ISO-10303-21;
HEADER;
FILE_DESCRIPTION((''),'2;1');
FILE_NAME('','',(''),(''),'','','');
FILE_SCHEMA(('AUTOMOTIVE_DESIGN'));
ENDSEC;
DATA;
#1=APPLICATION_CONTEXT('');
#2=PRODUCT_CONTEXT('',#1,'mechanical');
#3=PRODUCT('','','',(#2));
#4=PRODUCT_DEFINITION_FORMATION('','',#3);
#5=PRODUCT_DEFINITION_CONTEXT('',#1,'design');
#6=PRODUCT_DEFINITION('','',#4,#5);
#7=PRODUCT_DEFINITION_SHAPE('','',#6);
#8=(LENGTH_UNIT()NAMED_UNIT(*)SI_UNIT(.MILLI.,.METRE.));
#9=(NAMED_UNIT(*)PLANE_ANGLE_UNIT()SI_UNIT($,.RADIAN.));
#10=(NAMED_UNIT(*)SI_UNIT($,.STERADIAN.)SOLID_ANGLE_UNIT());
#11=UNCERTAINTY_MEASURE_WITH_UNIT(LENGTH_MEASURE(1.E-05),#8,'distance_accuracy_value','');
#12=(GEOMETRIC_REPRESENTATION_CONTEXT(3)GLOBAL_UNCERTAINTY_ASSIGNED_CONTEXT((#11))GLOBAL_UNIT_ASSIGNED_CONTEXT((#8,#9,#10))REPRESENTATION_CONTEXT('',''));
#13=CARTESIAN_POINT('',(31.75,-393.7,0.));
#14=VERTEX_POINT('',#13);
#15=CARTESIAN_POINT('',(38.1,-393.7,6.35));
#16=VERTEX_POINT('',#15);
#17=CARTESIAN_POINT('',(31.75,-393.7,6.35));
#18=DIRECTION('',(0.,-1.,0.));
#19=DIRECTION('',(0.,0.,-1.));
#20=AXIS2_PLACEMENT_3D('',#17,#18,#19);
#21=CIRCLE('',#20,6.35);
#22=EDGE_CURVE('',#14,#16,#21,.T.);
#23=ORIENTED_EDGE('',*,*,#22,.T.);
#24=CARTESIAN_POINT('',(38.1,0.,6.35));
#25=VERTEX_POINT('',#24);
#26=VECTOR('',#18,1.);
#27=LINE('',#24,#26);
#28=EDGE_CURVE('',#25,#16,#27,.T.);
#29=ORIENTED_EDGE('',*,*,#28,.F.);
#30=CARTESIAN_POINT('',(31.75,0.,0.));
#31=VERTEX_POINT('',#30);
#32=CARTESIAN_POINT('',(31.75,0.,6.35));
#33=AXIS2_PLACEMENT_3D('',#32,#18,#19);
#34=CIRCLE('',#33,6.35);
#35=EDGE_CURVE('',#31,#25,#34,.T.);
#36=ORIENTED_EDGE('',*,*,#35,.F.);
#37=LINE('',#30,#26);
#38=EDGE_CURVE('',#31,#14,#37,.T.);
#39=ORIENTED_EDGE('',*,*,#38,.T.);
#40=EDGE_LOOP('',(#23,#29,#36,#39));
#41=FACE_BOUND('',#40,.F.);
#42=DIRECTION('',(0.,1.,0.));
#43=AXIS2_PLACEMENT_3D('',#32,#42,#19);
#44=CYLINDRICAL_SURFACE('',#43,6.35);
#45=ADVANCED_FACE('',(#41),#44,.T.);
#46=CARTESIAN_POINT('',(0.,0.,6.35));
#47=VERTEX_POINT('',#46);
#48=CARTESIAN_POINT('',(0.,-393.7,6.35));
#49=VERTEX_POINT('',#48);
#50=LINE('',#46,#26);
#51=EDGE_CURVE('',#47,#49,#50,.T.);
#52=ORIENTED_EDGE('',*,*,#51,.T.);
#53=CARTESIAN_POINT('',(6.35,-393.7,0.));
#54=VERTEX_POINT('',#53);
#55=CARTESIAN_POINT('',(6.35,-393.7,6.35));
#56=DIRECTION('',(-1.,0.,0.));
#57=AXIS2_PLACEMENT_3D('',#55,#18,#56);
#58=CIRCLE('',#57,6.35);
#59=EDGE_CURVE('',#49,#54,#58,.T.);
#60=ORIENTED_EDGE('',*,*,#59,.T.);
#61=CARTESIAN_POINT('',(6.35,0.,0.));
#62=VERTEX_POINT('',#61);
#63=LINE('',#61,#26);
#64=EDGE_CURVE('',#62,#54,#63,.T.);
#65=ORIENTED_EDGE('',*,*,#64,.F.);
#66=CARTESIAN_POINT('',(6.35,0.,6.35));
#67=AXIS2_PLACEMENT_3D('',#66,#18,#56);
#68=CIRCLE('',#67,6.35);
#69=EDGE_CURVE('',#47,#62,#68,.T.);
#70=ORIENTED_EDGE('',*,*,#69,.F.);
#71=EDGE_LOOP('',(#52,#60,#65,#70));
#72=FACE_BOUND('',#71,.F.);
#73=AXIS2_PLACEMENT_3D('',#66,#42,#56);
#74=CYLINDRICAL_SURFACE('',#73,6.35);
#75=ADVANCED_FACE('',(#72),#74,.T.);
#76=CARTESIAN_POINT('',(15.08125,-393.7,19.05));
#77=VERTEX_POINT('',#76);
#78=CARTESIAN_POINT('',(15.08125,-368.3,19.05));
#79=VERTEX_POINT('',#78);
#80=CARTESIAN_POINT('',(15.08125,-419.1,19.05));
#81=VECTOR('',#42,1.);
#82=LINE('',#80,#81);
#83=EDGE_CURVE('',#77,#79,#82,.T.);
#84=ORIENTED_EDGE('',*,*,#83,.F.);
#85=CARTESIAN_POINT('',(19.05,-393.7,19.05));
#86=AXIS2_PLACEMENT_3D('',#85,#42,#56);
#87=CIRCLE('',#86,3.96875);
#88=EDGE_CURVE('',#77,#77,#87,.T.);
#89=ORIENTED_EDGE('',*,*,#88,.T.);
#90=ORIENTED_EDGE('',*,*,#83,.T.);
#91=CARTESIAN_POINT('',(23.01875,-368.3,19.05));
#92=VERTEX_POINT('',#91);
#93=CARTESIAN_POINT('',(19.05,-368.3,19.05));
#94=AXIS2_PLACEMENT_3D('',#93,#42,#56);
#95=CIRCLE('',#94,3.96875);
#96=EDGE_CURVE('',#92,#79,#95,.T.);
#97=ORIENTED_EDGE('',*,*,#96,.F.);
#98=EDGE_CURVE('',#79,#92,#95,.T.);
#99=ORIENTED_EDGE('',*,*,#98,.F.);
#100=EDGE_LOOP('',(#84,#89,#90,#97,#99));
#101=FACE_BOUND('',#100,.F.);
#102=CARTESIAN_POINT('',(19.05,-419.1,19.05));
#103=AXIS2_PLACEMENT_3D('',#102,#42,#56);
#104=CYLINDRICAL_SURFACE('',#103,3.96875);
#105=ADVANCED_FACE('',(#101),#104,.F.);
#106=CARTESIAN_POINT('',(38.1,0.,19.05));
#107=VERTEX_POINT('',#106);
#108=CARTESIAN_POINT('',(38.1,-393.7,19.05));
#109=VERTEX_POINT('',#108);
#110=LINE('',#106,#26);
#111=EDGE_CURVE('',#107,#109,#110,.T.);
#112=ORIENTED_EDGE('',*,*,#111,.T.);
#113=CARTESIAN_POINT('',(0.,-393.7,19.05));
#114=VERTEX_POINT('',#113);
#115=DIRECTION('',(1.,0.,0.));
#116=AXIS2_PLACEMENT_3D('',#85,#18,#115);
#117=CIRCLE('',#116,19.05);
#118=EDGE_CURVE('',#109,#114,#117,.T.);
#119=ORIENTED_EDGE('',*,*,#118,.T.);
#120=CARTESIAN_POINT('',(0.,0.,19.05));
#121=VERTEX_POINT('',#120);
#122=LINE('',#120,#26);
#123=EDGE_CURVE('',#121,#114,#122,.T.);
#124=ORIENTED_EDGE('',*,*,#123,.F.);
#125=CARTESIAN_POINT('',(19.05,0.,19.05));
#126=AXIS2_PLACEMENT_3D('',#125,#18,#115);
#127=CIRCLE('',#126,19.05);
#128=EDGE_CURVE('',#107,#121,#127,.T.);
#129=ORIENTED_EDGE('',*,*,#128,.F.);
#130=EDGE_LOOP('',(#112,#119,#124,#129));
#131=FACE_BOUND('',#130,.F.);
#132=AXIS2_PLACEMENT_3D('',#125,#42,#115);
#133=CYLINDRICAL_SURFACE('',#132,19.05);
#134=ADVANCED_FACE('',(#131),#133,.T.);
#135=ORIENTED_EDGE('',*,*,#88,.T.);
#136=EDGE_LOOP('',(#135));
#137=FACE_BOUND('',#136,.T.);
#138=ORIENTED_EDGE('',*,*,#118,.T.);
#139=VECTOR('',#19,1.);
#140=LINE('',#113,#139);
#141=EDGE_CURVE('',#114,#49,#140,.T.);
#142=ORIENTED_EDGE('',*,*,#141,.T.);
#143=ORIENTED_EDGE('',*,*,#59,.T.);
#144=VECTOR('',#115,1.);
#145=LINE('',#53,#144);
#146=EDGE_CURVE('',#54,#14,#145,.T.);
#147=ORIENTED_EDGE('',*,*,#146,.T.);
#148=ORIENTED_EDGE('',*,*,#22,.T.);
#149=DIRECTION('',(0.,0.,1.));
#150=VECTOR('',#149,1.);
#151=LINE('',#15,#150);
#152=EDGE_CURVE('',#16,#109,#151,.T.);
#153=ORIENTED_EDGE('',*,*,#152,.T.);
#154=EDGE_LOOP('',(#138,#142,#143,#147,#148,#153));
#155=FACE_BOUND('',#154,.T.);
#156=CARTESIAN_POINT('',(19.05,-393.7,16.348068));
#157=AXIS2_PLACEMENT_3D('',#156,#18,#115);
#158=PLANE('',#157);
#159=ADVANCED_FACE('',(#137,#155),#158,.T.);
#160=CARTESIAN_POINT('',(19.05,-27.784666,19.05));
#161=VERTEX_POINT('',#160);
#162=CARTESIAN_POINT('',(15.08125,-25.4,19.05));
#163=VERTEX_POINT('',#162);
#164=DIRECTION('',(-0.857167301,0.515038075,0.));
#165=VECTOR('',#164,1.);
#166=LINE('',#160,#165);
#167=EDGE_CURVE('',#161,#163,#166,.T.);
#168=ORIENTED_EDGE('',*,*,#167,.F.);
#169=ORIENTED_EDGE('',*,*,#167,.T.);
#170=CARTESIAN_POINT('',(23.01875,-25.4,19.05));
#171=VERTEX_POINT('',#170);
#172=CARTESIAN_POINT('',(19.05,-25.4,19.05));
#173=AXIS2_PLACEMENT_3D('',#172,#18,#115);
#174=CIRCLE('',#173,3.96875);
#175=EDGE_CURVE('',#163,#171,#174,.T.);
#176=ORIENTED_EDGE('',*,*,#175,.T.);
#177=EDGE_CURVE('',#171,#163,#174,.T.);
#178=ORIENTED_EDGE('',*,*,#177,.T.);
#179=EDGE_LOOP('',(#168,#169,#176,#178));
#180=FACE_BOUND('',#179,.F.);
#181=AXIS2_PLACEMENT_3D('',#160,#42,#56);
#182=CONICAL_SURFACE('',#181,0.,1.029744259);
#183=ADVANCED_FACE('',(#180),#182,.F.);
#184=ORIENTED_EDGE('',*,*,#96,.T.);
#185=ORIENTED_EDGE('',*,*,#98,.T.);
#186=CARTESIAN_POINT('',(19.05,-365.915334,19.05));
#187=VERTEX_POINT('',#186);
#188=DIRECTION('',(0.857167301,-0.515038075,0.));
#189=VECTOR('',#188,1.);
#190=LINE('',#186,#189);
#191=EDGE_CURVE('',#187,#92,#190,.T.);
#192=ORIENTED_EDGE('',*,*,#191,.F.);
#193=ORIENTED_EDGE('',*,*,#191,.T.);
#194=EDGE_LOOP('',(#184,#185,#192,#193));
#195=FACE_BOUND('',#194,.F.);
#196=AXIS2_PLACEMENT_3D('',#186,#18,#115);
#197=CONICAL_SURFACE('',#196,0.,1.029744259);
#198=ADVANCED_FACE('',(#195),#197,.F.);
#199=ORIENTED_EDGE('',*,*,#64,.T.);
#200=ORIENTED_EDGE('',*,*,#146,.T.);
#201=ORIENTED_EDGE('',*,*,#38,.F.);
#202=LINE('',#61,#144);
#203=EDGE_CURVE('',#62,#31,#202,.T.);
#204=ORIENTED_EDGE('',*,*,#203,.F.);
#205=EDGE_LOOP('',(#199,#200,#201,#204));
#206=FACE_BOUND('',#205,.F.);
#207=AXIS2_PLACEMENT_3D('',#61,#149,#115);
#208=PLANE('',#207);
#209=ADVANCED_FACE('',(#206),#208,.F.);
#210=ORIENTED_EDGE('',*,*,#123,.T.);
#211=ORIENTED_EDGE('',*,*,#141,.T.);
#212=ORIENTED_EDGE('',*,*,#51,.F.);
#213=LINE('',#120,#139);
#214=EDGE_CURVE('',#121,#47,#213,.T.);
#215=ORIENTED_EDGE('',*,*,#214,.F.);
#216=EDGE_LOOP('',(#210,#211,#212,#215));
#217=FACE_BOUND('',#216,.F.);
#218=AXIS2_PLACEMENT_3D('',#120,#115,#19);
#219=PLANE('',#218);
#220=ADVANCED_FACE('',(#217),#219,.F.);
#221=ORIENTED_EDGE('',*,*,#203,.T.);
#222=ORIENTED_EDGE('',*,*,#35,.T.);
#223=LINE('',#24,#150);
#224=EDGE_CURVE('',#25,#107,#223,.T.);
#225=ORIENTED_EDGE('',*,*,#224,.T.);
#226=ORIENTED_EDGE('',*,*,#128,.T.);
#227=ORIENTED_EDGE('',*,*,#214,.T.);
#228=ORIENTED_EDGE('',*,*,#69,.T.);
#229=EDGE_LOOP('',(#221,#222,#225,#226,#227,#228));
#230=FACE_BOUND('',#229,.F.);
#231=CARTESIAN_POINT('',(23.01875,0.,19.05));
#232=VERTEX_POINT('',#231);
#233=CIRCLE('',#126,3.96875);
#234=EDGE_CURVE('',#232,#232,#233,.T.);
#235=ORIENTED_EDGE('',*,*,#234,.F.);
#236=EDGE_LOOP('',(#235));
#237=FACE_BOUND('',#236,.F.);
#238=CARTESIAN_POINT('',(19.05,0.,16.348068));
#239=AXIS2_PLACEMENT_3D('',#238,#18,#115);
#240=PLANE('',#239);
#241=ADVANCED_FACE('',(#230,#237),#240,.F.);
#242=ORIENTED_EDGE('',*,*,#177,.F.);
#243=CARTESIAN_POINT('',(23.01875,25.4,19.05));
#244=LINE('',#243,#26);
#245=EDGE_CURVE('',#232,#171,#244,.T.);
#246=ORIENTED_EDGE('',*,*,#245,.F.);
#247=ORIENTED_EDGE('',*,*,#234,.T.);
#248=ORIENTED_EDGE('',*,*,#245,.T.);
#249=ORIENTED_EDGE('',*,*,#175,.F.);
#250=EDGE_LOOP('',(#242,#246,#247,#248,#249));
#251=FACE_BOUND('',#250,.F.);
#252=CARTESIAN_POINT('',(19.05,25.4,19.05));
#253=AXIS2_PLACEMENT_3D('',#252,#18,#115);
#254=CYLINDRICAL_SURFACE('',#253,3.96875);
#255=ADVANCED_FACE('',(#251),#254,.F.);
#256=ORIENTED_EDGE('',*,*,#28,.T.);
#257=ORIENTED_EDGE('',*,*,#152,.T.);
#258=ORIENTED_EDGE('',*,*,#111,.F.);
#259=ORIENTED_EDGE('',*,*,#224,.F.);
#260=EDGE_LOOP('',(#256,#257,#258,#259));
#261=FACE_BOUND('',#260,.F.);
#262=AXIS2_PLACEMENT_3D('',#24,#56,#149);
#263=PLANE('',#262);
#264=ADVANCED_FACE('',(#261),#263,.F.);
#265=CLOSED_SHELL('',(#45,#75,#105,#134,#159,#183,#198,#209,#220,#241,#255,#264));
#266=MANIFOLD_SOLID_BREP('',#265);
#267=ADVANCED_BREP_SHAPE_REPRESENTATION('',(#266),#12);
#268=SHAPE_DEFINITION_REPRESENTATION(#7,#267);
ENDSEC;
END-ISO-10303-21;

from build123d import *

# Parameters (mm, degrees)
F1_DEPTH       = 393.7
F4_D           = 7.9375
F4_DEPTH       = 25.4
F4_TIP         = 2.3846655818
F4_ON_F3_D     = 7.9375
F4_ON_F3_DEPTH = 25.4
F4_ON_F3_TIP   = 2.3846655818


with BuildPart() as f1:
    # F0 (on Front) → F1 (new body)
    with BuildSketch(Plane.XZ):
        with BuildLine():
            ThreePointArc((0, 6.35), (1.8598719395, 1.8598719395), (6.35, 0))
            Line((6.35, 0), (31.75, 0))
            ThreePointArc((31.75, 0), (36.2401280605, 1.8598719395), (38.1, 6.35))
            Line((38.1, 6.35), (38.1, 19.05))
            ThreePointArc((38.1, 19.05), (19.05, 38.1), (0, 19.05))
            Line((0, 19.05), (0, 6.35))
        make_face()
    extrude(amount=F1_DEPTH)

    # F4
    with Locations(Plane.XZ.offset(393.7)):
        with Locations((19.05, 19.05)):
            Hole(F4_D / 2, depth=F4_DEPTH)
            with Locations((0, 0, -(F4_DEPTH + F4_TIP / 2))):  # 118° drill point
                Cone(0, F4_D / 2, F4_TIP, mode=Mode.SUBTRACT)

    # F4 on F3
    with Locations(Plane(origin=(0, 0, 0), x_dir=(-1, 0, 0), z_dir=(0, 1, 0))):
        with Locations((-19.05, 19.05)):
            Hole(F4_ON_F3_D / 2, depth=F4_ON_F3_DEPTH)
            with Locations((0, 0, -(F4_ON_F3_DEPTH + F4_ON_F3_TIP / 2))):  # 118° drill point
                Cone(0, F4_ON_F3_D / 2, F4_ON_F3_TIP, mode=Mode.SUBTRACT)


solid = f1.part
